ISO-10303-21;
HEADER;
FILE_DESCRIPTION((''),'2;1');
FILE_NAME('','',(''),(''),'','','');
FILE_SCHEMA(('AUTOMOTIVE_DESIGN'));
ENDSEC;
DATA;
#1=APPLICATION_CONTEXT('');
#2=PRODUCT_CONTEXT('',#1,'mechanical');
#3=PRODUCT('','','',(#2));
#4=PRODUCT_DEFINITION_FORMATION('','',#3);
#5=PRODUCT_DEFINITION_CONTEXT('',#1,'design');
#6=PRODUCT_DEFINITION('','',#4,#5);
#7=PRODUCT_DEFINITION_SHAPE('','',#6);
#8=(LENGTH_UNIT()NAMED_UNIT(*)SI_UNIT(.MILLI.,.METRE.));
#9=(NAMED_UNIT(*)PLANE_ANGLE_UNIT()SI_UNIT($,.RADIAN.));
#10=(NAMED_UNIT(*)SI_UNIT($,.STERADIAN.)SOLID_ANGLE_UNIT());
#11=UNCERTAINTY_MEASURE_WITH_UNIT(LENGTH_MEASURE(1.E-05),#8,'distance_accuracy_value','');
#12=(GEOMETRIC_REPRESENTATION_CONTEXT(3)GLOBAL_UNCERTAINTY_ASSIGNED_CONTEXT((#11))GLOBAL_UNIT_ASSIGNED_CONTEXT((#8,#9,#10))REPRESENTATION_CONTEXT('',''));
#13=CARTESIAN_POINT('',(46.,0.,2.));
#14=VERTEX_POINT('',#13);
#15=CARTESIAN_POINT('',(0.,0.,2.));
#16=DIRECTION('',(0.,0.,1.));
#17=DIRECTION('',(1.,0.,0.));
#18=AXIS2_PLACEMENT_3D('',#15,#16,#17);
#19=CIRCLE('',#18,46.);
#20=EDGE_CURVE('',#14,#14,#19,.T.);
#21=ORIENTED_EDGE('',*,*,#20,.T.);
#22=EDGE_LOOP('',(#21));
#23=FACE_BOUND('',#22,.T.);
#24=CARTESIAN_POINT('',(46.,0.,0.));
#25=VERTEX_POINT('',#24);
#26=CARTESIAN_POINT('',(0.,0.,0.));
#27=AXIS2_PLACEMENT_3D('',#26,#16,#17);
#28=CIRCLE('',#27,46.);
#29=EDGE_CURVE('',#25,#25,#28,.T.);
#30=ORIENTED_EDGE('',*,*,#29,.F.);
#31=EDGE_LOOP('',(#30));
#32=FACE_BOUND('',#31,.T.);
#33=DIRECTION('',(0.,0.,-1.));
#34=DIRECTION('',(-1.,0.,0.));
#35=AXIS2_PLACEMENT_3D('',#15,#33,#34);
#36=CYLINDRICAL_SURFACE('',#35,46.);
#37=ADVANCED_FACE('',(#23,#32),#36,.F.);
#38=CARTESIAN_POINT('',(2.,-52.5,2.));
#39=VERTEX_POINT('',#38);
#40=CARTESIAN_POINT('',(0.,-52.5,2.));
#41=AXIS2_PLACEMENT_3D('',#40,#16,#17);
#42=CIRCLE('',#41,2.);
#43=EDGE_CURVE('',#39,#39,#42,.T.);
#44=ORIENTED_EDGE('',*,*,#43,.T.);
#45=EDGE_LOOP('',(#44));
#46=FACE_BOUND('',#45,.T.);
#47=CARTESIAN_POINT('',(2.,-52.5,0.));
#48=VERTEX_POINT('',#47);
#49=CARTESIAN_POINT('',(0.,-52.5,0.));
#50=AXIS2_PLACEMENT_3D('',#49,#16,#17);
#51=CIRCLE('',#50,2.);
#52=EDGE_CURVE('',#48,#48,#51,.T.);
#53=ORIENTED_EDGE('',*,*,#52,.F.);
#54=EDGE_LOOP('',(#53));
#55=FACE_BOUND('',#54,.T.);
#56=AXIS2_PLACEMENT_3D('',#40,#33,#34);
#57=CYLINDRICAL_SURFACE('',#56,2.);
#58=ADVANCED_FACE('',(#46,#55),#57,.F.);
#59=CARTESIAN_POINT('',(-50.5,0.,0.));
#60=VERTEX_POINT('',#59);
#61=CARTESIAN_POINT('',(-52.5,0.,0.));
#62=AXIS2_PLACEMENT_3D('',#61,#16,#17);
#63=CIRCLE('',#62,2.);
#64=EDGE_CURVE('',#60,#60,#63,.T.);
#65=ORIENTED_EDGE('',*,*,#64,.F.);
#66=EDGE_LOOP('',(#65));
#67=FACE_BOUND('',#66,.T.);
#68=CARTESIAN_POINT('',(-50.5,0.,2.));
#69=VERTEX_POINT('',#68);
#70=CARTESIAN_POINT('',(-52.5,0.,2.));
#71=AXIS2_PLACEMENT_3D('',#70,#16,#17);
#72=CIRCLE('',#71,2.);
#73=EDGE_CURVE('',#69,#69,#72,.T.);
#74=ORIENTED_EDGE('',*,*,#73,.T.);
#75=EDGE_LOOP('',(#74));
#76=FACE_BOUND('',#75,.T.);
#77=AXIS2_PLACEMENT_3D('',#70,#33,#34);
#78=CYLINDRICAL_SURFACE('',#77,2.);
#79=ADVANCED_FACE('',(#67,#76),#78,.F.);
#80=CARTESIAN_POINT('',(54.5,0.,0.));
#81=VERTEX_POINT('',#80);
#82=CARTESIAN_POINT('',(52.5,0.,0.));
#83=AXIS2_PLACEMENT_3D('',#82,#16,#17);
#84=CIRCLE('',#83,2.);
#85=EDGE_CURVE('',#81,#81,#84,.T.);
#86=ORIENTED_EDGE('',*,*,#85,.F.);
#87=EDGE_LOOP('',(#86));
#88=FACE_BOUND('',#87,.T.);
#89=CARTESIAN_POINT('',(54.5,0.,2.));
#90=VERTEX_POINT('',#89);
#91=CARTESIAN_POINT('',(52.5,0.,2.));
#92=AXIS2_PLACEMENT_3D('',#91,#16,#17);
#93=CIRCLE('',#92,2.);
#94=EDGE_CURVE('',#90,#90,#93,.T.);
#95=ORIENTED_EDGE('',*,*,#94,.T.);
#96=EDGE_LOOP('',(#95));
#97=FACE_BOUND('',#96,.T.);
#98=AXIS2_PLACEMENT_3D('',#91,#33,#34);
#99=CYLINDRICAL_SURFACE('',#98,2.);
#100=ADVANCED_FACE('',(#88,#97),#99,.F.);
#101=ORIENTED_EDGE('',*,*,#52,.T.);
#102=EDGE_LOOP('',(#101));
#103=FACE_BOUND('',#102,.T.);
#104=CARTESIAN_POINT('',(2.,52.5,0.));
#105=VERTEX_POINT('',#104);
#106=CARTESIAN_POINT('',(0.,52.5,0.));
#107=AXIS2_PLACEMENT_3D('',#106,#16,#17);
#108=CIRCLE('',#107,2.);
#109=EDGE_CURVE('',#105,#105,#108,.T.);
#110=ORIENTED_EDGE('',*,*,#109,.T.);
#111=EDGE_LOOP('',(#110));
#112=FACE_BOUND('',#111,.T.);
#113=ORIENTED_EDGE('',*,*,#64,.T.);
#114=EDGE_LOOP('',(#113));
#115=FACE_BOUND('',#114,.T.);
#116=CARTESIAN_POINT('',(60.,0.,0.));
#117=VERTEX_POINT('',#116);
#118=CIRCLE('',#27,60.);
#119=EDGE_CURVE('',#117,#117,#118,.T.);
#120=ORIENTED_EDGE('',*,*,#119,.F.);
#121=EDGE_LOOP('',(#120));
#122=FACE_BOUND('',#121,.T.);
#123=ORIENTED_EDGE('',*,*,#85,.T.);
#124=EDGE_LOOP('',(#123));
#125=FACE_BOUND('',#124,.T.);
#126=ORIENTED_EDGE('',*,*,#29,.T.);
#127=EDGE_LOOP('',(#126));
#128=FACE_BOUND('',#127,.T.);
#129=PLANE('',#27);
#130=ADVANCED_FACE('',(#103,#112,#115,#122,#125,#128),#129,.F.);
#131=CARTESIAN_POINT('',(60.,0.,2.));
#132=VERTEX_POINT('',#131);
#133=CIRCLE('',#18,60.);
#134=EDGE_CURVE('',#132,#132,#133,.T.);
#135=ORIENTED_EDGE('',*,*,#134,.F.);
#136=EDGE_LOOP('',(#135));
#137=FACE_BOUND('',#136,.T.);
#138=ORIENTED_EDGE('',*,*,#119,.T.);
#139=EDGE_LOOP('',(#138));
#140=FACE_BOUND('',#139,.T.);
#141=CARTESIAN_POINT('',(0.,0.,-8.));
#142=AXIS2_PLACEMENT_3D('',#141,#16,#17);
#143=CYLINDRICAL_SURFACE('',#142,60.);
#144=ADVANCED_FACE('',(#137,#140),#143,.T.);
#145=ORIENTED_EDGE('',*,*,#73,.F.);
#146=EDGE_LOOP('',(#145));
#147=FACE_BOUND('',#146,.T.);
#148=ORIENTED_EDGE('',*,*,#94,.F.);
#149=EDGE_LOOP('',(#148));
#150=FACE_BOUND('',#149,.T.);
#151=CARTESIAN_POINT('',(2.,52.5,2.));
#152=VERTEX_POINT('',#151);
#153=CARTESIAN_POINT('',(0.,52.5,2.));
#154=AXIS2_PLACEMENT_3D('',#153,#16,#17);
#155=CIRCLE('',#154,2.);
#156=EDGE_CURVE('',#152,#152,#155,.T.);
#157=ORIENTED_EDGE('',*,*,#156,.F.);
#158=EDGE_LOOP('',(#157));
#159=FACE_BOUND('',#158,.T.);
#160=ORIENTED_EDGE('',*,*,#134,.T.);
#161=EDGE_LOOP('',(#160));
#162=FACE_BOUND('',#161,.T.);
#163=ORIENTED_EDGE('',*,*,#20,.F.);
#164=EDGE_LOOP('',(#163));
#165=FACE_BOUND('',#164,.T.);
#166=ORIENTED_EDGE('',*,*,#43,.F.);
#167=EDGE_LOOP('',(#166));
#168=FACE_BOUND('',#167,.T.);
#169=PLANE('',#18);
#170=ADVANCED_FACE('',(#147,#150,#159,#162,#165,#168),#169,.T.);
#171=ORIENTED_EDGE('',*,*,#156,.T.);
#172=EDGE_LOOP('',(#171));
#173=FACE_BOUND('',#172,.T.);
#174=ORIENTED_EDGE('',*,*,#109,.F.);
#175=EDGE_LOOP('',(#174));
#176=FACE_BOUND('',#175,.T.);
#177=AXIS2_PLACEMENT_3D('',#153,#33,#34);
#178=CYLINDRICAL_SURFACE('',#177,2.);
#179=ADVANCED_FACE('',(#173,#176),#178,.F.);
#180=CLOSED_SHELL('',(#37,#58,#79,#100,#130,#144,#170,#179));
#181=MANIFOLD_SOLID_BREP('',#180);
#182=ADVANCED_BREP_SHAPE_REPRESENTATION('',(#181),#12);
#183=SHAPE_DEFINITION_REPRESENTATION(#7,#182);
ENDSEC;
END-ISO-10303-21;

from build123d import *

# Parameters (mm, degrees)
SKETCH_1_R          = 75
SKETCH_1_R_2        = 2
SKETCH_1_R_3        = 46
EXTRUDE_1_DEPTH     = 2
SKETCH_2_R          = 1.5
CUT_EXTRUDE_1_DEPTH = 2
SKETCH_4_OUTSIDE_W  = 194.428
SKETCH_4_OUTSIDE_H  = 194.428
SKETCH_4_OUTSIDE_R  = 60
CUT_EXTRUDE_2_DEPTH = 10


with BuildPart() as part:
    # 草图1 → 凸台-拉伸1 (new body)
    with BuildSketch(Plane.XY):
        Circle(SKETCH_1_R)
        with Locations((-52.5, 0)):
            Circle(SKETCH_1_R_2, mode=Mode.SUBTRACT)
        with Locations((0, 52.5)):
            Circle(SKETCH_1_R_2, mode=Mode.SUBTRACT)
        with Locations((52.5, 0)):
            Circle(SKETCH_1_R_2, mode=Mode.SUBTRACT)
        with Locations((0, -52.5)):
            Circle(SKETCH_1_R_2, mode=Mode.SUBTRACT)
        Circle(SKETCH_1_R_3, mode=Mode.SUBTRACT)
    extrude(amount=EXTRUDE_1_DEPTH)

    # 草图2 → 切除-拉伸1 (cut)
    with BuildSketch(Plane.XY.offset(2)):
        with Locations((0, 69)):
            Circle(SKETCH_2_R)
        with Locations((69, 0)):
            Circle(SKETCH_2_R)
        with Locations((0, -69)):
            Circle(SKETCH_2_R)
        with Locations((-69, 0)):
            Circle(SKETCH_2_R)
    extrude(amount=-CUT_EXTRUDE_1_DEPTH, mode=Mode.SUBTRACT)

    # 草图4 outside → 切除-拉伸2 (cut)
    with BuildSketch(Plane.XY.offset(2)):
        Rectangle(SKETCH_4_OUTSIDE_W, SKETCH_4_OUTSIDE_H)
        Circle(SKETCH_4_OUTSIDE_R, mode=Mode.SUBTRACT)
    extrude(amount=-CUT_EXTRUDE_2_DEPTH, mode=Mode.SUBTRACT)


solid = part.part
